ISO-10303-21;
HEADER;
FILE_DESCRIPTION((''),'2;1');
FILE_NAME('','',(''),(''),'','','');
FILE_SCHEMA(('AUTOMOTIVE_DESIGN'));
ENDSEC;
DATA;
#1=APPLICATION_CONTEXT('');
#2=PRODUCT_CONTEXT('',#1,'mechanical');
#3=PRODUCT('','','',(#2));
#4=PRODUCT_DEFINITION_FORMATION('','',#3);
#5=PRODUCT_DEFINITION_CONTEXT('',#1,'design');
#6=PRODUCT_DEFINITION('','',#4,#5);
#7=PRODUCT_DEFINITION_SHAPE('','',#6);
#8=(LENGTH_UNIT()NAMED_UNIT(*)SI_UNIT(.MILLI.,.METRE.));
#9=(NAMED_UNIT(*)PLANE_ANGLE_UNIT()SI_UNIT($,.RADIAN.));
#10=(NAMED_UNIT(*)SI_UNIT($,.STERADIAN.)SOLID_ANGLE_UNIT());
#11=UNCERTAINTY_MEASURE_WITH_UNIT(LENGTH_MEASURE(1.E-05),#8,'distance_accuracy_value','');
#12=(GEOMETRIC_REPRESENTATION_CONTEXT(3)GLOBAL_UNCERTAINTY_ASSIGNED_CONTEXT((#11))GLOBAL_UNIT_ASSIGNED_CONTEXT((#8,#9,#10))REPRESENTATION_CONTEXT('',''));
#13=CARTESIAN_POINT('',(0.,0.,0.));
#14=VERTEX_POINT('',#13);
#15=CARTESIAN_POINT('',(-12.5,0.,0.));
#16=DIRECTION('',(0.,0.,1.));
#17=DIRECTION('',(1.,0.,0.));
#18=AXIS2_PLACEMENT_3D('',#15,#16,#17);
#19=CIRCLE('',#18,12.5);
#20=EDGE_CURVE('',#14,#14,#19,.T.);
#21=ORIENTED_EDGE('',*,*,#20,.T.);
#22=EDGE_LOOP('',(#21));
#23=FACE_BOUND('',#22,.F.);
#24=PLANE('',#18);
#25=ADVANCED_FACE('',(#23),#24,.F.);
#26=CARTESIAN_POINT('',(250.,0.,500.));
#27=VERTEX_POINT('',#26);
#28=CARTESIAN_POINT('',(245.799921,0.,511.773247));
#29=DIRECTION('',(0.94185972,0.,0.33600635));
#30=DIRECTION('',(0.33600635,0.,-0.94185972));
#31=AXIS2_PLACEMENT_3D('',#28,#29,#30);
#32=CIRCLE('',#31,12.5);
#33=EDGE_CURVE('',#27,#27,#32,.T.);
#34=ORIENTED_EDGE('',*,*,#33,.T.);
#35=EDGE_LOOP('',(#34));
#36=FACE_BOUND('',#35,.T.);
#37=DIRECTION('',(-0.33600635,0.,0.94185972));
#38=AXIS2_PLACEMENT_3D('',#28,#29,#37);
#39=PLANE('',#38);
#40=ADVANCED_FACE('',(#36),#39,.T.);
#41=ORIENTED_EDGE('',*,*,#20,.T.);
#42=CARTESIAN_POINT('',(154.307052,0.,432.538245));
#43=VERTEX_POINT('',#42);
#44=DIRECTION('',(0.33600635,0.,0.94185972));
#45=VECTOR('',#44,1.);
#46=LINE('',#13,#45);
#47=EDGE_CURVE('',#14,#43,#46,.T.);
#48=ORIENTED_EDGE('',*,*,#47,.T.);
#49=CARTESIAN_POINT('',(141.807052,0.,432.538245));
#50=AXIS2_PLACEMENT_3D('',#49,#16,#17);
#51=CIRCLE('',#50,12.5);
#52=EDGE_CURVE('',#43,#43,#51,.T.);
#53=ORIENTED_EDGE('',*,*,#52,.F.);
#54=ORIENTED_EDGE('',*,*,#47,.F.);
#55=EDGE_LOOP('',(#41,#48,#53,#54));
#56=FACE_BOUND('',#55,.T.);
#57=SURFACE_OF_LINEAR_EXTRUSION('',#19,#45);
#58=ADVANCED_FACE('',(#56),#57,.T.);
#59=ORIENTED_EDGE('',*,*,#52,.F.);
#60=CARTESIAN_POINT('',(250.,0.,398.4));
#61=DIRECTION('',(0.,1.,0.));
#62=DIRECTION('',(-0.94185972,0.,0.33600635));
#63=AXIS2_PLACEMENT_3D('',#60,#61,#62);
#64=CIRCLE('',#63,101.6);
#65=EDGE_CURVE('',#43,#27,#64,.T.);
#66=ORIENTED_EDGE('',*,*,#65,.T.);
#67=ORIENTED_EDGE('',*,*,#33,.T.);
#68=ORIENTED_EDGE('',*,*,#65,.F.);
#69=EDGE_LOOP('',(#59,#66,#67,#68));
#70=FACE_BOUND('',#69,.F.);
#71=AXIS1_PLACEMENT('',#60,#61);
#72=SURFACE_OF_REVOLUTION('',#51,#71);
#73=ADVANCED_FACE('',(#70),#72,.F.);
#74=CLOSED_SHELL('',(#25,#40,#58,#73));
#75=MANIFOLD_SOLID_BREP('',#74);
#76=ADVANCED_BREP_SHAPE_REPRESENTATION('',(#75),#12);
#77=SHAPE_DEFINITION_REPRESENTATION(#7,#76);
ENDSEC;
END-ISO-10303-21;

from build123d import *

# Parameters (mm, degrees)
F0_R = 12.5


with BuildPart() as f2:
    # F2: sweep along a path in F1
    with BuildLine(Plane.XZ) as f2_path:
        Line((0, 0), (154.3070524334, 432.53824521))
        ThreePointArc((154.3070524334, 432.53824521), (191.4589277231, 481.4391645952), (250, 500))
    # F0 (on Top) → F2 (sweep)
    with BuildSketch(Plane.XY):
        with Locations((-12.5, 0)):
            Circle(F0_R)
    sweep(path=f2_path.line)


solid = f2.part
